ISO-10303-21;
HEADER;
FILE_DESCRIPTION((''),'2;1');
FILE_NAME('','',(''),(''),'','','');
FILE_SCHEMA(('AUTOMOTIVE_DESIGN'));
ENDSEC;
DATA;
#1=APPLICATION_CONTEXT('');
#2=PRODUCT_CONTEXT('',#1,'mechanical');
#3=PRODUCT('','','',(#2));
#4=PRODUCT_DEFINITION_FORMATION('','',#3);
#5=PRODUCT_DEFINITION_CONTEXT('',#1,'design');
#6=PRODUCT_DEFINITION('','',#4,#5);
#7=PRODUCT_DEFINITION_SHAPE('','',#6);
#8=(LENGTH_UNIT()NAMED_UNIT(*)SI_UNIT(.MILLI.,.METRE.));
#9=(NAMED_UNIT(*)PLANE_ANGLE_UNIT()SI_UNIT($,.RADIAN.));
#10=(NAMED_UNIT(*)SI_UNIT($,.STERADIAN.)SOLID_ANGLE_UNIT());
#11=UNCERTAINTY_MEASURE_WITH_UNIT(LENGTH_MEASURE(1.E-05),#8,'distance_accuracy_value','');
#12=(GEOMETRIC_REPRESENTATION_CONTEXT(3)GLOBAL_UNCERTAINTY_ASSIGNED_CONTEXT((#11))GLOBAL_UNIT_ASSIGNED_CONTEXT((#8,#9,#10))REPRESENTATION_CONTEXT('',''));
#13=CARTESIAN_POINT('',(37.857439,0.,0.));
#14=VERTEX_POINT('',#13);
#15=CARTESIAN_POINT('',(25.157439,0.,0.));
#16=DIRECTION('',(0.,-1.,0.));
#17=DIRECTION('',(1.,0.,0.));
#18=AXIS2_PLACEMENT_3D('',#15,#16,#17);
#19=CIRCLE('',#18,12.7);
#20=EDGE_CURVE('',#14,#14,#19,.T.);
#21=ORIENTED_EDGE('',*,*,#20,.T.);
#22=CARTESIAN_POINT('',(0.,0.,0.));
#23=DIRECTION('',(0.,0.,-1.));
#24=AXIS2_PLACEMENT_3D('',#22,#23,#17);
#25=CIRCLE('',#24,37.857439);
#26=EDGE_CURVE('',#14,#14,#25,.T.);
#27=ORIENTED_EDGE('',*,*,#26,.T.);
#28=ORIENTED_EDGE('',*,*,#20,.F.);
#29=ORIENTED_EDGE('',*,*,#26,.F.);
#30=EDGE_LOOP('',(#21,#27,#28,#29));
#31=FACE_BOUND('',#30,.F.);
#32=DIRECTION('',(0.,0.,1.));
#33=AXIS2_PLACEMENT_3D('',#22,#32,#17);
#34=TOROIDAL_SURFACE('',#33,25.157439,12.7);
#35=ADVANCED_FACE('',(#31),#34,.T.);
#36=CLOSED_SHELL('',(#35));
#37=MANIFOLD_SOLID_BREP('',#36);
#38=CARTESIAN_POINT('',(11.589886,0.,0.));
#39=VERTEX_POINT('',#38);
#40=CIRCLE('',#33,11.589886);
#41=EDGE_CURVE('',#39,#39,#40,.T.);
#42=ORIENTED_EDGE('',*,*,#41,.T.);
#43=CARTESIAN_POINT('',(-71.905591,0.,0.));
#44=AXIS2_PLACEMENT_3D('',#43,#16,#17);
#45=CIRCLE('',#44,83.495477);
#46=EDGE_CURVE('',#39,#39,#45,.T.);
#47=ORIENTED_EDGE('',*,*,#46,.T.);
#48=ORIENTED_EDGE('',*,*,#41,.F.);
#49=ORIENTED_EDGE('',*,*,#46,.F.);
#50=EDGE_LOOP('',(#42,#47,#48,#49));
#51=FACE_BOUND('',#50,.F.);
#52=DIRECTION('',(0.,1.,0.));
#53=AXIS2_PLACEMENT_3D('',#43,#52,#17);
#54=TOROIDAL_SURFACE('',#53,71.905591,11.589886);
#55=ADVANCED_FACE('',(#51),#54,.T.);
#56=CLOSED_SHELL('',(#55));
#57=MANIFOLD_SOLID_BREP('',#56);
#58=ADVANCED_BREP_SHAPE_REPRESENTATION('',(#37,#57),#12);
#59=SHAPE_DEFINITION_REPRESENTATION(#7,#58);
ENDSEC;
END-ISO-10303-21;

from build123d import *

# Parameters (mm, degrees)
F0_R = 12.7
F3_R = 11.589886


with BuildPart() as f2:
    # F0 (on Front) → F2 (revolve)
    with BuildSketch(Plane.XZ):
        with Locations((25.157439, 0)):
            Circle(F0_R)
    revolve(axis=Axis((0, 0, 3.612274), (0, 0, -1)))


with BuildPart() as f4:
    # F3 (on Top) → F4 (revolve)
    with BuildSketch(Plane.XY):
        Circle(F3_R)
    revolve(axis=Axis((-71.905591, -15.473356, 0), (0, -1, 0)))


solid = Compound([f2.part, f4.part])
